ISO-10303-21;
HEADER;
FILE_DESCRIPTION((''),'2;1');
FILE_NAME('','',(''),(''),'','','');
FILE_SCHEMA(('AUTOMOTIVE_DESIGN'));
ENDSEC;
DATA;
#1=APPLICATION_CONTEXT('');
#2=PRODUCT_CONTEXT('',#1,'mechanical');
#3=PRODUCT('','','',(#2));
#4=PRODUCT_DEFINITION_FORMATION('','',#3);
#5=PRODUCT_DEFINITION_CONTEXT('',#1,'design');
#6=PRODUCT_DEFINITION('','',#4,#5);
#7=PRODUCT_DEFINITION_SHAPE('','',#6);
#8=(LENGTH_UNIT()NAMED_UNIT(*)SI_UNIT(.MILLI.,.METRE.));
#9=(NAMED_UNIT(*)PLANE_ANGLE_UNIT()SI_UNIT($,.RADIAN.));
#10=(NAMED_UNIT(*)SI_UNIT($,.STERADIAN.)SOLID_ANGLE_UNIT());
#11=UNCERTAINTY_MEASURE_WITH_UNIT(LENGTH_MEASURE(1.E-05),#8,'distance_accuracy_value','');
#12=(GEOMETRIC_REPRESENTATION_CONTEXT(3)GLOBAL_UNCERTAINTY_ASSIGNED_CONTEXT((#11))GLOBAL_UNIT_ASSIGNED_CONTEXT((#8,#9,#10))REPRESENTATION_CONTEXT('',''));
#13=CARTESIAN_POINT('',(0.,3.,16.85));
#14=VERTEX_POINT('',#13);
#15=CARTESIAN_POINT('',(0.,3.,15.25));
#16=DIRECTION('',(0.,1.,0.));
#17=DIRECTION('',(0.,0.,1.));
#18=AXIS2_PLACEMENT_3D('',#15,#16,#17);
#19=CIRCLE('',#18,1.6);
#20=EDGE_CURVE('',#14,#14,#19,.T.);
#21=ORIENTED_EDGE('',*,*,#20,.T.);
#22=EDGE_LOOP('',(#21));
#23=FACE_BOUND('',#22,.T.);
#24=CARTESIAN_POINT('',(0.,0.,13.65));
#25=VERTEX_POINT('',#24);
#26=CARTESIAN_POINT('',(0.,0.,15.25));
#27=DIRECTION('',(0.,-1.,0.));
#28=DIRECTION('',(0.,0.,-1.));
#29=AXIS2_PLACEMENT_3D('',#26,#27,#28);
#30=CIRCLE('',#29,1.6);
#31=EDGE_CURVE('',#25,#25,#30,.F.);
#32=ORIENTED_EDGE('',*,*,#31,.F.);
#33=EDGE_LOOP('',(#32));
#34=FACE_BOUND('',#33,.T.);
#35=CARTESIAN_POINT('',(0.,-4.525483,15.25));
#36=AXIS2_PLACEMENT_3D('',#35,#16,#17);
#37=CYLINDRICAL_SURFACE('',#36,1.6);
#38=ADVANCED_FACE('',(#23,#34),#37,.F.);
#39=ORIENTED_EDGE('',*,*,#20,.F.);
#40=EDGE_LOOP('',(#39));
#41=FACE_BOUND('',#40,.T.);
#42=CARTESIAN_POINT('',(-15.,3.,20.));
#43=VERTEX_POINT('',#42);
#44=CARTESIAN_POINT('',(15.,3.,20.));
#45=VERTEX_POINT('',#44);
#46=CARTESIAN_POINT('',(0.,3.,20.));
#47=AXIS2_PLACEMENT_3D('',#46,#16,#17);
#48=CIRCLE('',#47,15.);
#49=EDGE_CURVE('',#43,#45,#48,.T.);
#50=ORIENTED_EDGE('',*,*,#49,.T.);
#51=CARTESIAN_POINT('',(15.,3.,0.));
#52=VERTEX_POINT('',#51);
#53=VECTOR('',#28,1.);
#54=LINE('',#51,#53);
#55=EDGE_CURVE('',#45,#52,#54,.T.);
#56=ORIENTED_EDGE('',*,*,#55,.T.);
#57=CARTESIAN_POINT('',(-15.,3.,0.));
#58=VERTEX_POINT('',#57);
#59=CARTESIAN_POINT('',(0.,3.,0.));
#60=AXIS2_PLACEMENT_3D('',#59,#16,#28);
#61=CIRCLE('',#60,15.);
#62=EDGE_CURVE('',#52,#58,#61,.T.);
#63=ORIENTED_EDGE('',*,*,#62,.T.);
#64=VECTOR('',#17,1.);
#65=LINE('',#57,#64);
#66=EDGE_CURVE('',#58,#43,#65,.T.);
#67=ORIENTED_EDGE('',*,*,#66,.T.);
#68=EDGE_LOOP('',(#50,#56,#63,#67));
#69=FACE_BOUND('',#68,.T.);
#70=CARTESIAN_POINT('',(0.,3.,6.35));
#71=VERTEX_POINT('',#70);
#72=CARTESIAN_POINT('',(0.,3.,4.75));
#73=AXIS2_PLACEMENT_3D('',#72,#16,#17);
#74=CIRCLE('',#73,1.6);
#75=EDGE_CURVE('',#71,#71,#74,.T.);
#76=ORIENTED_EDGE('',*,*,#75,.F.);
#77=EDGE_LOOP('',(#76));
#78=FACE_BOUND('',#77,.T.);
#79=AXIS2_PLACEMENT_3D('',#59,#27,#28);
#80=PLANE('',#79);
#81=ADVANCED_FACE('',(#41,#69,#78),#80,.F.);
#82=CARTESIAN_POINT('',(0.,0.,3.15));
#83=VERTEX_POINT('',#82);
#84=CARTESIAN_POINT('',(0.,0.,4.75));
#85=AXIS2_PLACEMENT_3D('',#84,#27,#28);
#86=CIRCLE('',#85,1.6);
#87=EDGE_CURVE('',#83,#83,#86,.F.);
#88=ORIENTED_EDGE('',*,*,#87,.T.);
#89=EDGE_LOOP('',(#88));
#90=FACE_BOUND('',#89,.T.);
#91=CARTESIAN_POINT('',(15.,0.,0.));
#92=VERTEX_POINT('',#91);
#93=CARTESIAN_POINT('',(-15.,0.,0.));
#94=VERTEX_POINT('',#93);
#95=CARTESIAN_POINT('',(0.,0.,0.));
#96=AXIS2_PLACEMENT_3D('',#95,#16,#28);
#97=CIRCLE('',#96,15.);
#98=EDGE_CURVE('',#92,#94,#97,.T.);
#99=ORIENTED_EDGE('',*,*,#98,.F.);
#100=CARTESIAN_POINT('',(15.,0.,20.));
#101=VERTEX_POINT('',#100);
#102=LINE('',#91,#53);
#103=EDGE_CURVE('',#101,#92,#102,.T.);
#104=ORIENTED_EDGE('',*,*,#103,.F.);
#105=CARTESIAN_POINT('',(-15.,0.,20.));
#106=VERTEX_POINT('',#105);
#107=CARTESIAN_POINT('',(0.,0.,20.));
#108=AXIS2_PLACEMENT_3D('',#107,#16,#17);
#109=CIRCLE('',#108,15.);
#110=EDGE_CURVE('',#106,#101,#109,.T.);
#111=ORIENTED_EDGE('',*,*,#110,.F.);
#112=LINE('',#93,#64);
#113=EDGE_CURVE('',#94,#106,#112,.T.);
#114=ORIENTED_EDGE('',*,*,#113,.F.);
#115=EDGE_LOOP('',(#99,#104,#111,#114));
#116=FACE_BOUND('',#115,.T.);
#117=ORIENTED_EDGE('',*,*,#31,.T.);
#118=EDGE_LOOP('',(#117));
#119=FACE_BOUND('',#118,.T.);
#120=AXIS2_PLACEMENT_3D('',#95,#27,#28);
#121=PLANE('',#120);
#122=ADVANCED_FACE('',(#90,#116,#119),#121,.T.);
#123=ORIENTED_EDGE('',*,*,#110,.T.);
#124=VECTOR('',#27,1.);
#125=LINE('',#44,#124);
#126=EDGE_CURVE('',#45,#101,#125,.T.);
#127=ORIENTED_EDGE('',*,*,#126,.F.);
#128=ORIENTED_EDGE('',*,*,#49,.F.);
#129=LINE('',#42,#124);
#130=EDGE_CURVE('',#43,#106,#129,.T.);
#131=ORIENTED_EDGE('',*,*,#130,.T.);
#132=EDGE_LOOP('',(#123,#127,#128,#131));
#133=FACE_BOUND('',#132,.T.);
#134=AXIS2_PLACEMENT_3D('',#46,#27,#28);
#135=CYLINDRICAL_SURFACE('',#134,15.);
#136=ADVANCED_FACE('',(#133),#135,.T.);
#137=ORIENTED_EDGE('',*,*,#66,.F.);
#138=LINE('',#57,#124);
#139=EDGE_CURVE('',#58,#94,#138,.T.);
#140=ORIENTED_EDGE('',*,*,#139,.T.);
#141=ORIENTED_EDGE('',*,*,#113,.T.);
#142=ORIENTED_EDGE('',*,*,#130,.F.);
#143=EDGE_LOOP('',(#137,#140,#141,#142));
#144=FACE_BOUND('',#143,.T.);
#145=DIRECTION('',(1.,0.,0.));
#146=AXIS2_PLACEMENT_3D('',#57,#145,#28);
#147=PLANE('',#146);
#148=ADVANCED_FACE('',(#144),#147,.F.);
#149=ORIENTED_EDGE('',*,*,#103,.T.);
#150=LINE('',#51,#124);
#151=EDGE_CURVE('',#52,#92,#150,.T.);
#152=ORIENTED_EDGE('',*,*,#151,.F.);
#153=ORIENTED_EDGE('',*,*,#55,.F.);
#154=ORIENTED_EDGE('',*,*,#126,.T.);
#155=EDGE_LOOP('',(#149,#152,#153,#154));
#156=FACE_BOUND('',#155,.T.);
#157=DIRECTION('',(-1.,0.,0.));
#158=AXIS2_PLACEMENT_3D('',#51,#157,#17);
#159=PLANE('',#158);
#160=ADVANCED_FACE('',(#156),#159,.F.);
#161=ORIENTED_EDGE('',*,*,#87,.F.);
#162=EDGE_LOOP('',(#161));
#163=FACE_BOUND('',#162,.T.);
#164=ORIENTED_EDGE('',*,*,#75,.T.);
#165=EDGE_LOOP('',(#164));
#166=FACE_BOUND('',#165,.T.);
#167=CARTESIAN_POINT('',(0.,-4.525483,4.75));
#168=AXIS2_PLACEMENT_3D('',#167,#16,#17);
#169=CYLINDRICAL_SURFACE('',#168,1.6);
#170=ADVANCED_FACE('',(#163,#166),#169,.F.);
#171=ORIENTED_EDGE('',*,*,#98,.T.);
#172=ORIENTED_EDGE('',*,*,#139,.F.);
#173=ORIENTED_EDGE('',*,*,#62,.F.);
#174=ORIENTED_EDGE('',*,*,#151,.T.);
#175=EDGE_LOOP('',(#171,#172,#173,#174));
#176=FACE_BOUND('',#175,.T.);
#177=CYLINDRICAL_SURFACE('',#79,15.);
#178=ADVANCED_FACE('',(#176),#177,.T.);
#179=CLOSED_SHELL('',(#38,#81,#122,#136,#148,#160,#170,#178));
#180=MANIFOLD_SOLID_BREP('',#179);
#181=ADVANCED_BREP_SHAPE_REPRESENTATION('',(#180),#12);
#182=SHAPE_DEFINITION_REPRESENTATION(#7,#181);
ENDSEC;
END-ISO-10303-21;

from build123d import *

# Parameters (mm, degrees)
EXTRUDE_1_DEPTH     = 3
SKETCH_2_R          = 1.6
CUT_EXTRUDE_1_DEPTH = 3


with BuildPart() as part:
    # 草图1 → 凸台-拉伸1 (new body)
    with BuildSketch(Plane(origin=(0, 0, 0), x_dir=(1, 0, 0), z_dir=(0, 1, 0))):
        with BuildLine():
            Line((-15, 0), (-15, -20))
            ThreePointArc((-15, -20), (0, -35), (15, -20))
            Line((15, -20), (15, 0))
            ThreePointArc((15, 0), (0, 15), (-15, 0))
        make_face()
    extrude(amount=EXTRUDE_1_DEPTH)

    # 草图2 → 切除-拉伸1 (cut)
    with BuildSketch(Plane(origin=(0, 3, 0), x_dir=(1, 0, 0), z_dir=(0, 1, 0))):
        with Locations(Location((0, -4.75, 0), (0, 0, 270))):
            Circle(SKETCH_2_R)
        with Locations(Location((0, -15.25, 0), (0, 0, 270))):
            Circle(SKETCH_2_R)
    extrude(amount=-CUT_EXTRUDE_1_DEPTH, mode=Mode.SUBTRACT)


solid = part.part
